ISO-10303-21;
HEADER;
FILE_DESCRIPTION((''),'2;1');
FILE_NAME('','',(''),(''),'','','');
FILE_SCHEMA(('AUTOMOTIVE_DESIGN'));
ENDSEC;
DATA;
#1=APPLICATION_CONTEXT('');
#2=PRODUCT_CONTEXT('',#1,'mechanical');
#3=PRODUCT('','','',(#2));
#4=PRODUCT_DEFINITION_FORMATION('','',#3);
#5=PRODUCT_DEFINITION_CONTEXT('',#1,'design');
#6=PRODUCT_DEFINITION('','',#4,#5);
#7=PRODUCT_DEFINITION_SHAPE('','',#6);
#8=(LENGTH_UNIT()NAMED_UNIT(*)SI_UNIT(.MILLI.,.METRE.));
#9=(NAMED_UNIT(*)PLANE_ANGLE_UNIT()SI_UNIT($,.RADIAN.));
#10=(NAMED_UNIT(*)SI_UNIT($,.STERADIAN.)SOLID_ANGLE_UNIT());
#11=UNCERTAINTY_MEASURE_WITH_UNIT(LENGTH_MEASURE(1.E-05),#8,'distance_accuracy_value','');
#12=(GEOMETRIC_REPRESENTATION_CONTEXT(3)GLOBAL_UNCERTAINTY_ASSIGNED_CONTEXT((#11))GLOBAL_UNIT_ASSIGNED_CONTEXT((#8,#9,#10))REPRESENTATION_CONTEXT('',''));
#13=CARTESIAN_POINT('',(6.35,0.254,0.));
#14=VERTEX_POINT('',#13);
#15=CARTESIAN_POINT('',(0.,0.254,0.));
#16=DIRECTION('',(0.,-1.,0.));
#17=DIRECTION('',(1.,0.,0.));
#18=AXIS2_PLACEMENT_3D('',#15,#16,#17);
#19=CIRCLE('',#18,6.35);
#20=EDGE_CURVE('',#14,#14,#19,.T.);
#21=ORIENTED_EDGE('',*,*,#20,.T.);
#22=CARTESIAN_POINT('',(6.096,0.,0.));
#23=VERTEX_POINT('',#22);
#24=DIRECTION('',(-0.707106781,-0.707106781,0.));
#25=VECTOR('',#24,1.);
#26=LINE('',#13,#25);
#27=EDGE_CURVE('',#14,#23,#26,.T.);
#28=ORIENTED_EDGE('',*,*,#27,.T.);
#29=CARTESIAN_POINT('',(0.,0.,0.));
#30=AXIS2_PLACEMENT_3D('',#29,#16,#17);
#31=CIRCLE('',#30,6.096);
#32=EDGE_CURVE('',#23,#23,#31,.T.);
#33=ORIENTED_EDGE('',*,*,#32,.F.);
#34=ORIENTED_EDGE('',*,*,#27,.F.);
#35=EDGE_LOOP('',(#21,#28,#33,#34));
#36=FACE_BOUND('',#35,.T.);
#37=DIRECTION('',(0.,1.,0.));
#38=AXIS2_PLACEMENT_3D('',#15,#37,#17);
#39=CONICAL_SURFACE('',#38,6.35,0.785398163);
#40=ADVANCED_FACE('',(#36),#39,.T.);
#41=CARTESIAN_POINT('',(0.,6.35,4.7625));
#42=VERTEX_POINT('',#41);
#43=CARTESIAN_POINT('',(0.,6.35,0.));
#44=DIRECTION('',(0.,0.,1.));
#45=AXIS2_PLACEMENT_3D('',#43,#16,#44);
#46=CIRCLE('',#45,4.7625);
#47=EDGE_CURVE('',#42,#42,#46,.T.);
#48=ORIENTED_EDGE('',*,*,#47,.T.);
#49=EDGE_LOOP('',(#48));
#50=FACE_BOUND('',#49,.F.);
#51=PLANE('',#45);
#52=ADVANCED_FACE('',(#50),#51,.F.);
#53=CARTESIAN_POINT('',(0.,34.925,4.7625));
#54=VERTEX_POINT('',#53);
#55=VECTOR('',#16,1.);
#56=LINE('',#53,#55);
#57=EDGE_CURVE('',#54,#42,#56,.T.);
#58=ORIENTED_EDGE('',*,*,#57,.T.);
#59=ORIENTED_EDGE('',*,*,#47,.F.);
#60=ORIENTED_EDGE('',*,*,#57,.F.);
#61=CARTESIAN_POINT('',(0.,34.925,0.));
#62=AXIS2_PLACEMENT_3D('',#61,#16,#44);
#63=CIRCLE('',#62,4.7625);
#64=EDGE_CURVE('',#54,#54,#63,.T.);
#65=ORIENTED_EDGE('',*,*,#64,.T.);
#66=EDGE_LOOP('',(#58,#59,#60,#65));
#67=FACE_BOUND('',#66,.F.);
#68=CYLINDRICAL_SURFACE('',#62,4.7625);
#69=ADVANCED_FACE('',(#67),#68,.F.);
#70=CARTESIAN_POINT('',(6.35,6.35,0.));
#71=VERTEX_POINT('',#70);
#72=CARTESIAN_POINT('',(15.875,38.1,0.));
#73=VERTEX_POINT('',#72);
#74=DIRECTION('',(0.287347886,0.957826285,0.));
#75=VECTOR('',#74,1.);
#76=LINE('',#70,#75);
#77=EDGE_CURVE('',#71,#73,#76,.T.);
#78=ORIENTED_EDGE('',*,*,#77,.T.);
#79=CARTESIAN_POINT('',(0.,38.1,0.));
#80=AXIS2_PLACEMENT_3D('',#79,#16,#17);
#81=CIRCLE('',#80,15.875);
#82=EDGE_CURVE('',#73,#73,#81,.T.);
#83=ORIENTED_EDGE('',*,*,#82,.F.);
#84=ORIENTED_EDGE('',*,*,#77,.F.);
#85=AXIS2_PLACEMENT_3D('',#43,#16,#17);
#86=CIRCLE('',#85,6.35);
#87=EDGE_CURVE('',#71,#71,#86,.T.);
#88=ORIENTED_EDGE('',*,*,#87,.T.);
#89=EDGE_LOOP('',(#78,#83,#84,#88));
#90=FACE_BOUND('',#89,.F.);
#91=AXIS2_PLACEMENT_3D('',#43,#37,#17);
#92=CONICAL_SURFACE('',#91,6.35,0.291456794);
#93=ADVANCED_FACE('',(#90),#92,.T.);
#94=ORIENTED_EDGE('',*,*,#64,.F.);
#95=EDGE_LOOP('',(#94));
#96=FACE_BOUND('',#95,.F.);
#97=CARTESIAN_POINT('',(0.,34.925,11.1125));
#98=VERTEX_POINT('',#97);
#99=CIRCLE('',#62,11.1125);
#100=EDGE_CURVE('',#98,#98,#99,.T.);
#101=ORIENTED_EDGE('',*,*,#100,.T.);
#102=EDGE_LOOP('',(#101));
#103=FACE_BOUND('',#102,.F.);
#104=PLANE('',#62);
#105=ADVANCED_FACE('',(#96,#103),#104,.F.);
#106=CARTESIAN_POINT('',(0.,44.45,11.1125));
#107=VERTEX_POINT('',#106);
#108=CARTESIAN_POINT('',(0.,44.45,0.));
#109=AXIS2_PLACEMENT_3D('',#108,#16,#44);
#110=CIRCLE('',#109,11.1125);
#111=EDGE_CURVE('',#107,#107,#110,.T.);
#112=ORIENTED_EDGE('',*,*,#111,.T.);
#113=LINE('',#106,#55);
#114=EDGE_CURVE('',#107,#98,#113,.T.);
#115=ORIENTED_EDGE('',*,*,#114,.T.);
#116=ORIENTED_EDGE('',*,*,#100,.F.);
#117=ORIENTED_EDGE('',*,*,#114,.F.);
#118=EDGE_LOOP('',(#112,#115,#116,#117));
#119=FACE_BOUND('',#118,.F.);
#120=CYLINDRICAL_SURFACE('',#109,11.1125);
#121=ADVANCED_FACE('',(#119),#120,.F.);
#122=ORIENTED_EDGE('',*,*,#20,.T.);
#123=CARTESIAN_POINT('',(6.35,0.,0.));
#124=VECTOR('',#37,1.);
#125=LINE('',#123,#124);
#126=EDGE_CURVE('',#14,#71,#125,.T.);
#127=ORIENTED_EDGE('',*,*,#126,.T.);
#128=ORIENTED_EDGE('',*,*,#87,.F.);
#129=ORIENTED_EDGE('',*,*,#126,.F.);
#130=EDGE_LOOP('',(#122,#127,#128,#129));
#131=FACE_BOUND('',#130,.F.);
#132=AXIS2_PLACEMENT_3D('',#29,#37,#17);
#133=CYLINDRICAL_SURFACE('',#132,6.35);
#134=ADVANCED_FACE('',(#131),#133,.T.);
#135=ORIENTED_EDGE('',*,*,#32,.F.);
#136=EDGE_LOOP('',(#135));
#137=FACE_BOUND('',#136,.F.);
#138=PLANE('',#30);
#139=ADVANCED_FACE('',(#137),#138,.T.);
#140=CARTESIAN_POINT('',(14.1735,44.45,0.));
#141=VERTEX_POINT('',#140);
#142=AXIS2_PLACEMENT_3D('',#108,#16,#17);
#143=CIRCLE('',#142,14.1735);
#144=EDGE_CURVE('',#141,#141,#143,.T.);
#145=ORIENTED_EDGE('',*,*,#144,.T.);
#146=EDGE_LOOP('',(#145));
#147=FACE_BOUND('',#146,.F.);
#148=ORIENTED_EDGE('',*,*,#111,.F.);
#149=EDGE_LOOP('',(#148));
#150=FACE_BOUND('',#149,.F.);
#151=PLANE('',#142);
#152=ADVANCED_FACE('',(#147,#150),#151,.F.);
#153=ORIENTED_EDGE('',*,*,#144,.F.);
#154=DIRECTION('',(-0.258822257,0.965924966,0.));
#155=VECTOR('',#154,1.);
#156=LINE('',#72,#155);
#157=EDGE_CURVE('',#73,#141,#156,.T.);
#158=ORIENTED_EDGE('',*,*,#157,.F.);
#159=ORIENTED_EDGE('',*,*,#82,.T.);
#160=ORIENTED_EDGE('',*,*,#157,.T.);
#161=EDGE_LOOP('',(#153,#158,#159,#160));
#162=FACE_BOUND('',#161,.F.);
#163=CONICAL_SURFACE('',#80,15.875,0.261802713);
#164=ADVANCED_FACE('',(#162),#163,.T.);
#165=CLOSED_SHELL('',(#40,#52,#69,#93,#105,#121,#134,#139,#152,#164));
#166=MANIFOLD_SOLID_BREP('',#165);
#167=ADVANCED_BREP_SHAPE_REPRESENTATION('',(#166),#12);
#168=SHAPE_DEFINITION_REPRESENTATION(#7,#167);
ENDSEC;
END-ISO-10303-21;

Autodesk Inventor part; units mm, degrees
ref_plane "YZ Plane" through (0, 0, 0) normal (1, 0, 0) x (0, 1, 0)
ref_plane "XZ Plane" through (0, 0, 0) normal (0, 1, 0) x (-1, 0, 0)
ref_plane "XY Plane" through (0, 0, 0) normal (0, 0, 1) x (1, 0, 0)
sketch "Stack Sketch" plane through (0, 0, 0) normal (0, 0, 1) x (1, 0, 0)
  line L0 (0, 0) -> (6.35, 0)
  line L1 (6.35, 0) -> (6.35, 6.35)
  line L2 (6.35, 6.35) -> (15.875, 38.1)
  line L3 (0, 44.45) -> (0, 0)
  line L4 (15.875, 38.1) -> (15.875, 46.0795) construction
  line L5 (15.875, 38.1) -> (14.1735, 44.45)
  line L6 (14.1735, 44.45) -> (0, 44.45)
  dimension "d0" = 6.35
  dimension "d1" = 38.1
  dimension "d5" = 6.35
  dimension "d6" = 44.45
  dimension "d7" = 15
  dimension "d17" = 15.875
revolve "Stack Revolve" add sketch "Stack Sketch" angle 360 about axis through (0, 44.45, 0) along (0, -1, 0)
sketch "Stack Hole Sketch" plane through (0, 44.45, 0) normal (0, 1, 0) x (1, 0, 0)
  point P0 (0, 0)
  point P1 (0, 0)
hole "Stack Hole" at (0, 44.45, 0) direction (0, -1, 0) diameter 9.525 depth 38.1 counterbore diameter 22.225 counterbore depth 9.525
chamfer "Bottom Chamfer" distance 0.254 angle 45 1 edges at (-6.35, 0, 0)
properties part number "Caufield_Stack"
